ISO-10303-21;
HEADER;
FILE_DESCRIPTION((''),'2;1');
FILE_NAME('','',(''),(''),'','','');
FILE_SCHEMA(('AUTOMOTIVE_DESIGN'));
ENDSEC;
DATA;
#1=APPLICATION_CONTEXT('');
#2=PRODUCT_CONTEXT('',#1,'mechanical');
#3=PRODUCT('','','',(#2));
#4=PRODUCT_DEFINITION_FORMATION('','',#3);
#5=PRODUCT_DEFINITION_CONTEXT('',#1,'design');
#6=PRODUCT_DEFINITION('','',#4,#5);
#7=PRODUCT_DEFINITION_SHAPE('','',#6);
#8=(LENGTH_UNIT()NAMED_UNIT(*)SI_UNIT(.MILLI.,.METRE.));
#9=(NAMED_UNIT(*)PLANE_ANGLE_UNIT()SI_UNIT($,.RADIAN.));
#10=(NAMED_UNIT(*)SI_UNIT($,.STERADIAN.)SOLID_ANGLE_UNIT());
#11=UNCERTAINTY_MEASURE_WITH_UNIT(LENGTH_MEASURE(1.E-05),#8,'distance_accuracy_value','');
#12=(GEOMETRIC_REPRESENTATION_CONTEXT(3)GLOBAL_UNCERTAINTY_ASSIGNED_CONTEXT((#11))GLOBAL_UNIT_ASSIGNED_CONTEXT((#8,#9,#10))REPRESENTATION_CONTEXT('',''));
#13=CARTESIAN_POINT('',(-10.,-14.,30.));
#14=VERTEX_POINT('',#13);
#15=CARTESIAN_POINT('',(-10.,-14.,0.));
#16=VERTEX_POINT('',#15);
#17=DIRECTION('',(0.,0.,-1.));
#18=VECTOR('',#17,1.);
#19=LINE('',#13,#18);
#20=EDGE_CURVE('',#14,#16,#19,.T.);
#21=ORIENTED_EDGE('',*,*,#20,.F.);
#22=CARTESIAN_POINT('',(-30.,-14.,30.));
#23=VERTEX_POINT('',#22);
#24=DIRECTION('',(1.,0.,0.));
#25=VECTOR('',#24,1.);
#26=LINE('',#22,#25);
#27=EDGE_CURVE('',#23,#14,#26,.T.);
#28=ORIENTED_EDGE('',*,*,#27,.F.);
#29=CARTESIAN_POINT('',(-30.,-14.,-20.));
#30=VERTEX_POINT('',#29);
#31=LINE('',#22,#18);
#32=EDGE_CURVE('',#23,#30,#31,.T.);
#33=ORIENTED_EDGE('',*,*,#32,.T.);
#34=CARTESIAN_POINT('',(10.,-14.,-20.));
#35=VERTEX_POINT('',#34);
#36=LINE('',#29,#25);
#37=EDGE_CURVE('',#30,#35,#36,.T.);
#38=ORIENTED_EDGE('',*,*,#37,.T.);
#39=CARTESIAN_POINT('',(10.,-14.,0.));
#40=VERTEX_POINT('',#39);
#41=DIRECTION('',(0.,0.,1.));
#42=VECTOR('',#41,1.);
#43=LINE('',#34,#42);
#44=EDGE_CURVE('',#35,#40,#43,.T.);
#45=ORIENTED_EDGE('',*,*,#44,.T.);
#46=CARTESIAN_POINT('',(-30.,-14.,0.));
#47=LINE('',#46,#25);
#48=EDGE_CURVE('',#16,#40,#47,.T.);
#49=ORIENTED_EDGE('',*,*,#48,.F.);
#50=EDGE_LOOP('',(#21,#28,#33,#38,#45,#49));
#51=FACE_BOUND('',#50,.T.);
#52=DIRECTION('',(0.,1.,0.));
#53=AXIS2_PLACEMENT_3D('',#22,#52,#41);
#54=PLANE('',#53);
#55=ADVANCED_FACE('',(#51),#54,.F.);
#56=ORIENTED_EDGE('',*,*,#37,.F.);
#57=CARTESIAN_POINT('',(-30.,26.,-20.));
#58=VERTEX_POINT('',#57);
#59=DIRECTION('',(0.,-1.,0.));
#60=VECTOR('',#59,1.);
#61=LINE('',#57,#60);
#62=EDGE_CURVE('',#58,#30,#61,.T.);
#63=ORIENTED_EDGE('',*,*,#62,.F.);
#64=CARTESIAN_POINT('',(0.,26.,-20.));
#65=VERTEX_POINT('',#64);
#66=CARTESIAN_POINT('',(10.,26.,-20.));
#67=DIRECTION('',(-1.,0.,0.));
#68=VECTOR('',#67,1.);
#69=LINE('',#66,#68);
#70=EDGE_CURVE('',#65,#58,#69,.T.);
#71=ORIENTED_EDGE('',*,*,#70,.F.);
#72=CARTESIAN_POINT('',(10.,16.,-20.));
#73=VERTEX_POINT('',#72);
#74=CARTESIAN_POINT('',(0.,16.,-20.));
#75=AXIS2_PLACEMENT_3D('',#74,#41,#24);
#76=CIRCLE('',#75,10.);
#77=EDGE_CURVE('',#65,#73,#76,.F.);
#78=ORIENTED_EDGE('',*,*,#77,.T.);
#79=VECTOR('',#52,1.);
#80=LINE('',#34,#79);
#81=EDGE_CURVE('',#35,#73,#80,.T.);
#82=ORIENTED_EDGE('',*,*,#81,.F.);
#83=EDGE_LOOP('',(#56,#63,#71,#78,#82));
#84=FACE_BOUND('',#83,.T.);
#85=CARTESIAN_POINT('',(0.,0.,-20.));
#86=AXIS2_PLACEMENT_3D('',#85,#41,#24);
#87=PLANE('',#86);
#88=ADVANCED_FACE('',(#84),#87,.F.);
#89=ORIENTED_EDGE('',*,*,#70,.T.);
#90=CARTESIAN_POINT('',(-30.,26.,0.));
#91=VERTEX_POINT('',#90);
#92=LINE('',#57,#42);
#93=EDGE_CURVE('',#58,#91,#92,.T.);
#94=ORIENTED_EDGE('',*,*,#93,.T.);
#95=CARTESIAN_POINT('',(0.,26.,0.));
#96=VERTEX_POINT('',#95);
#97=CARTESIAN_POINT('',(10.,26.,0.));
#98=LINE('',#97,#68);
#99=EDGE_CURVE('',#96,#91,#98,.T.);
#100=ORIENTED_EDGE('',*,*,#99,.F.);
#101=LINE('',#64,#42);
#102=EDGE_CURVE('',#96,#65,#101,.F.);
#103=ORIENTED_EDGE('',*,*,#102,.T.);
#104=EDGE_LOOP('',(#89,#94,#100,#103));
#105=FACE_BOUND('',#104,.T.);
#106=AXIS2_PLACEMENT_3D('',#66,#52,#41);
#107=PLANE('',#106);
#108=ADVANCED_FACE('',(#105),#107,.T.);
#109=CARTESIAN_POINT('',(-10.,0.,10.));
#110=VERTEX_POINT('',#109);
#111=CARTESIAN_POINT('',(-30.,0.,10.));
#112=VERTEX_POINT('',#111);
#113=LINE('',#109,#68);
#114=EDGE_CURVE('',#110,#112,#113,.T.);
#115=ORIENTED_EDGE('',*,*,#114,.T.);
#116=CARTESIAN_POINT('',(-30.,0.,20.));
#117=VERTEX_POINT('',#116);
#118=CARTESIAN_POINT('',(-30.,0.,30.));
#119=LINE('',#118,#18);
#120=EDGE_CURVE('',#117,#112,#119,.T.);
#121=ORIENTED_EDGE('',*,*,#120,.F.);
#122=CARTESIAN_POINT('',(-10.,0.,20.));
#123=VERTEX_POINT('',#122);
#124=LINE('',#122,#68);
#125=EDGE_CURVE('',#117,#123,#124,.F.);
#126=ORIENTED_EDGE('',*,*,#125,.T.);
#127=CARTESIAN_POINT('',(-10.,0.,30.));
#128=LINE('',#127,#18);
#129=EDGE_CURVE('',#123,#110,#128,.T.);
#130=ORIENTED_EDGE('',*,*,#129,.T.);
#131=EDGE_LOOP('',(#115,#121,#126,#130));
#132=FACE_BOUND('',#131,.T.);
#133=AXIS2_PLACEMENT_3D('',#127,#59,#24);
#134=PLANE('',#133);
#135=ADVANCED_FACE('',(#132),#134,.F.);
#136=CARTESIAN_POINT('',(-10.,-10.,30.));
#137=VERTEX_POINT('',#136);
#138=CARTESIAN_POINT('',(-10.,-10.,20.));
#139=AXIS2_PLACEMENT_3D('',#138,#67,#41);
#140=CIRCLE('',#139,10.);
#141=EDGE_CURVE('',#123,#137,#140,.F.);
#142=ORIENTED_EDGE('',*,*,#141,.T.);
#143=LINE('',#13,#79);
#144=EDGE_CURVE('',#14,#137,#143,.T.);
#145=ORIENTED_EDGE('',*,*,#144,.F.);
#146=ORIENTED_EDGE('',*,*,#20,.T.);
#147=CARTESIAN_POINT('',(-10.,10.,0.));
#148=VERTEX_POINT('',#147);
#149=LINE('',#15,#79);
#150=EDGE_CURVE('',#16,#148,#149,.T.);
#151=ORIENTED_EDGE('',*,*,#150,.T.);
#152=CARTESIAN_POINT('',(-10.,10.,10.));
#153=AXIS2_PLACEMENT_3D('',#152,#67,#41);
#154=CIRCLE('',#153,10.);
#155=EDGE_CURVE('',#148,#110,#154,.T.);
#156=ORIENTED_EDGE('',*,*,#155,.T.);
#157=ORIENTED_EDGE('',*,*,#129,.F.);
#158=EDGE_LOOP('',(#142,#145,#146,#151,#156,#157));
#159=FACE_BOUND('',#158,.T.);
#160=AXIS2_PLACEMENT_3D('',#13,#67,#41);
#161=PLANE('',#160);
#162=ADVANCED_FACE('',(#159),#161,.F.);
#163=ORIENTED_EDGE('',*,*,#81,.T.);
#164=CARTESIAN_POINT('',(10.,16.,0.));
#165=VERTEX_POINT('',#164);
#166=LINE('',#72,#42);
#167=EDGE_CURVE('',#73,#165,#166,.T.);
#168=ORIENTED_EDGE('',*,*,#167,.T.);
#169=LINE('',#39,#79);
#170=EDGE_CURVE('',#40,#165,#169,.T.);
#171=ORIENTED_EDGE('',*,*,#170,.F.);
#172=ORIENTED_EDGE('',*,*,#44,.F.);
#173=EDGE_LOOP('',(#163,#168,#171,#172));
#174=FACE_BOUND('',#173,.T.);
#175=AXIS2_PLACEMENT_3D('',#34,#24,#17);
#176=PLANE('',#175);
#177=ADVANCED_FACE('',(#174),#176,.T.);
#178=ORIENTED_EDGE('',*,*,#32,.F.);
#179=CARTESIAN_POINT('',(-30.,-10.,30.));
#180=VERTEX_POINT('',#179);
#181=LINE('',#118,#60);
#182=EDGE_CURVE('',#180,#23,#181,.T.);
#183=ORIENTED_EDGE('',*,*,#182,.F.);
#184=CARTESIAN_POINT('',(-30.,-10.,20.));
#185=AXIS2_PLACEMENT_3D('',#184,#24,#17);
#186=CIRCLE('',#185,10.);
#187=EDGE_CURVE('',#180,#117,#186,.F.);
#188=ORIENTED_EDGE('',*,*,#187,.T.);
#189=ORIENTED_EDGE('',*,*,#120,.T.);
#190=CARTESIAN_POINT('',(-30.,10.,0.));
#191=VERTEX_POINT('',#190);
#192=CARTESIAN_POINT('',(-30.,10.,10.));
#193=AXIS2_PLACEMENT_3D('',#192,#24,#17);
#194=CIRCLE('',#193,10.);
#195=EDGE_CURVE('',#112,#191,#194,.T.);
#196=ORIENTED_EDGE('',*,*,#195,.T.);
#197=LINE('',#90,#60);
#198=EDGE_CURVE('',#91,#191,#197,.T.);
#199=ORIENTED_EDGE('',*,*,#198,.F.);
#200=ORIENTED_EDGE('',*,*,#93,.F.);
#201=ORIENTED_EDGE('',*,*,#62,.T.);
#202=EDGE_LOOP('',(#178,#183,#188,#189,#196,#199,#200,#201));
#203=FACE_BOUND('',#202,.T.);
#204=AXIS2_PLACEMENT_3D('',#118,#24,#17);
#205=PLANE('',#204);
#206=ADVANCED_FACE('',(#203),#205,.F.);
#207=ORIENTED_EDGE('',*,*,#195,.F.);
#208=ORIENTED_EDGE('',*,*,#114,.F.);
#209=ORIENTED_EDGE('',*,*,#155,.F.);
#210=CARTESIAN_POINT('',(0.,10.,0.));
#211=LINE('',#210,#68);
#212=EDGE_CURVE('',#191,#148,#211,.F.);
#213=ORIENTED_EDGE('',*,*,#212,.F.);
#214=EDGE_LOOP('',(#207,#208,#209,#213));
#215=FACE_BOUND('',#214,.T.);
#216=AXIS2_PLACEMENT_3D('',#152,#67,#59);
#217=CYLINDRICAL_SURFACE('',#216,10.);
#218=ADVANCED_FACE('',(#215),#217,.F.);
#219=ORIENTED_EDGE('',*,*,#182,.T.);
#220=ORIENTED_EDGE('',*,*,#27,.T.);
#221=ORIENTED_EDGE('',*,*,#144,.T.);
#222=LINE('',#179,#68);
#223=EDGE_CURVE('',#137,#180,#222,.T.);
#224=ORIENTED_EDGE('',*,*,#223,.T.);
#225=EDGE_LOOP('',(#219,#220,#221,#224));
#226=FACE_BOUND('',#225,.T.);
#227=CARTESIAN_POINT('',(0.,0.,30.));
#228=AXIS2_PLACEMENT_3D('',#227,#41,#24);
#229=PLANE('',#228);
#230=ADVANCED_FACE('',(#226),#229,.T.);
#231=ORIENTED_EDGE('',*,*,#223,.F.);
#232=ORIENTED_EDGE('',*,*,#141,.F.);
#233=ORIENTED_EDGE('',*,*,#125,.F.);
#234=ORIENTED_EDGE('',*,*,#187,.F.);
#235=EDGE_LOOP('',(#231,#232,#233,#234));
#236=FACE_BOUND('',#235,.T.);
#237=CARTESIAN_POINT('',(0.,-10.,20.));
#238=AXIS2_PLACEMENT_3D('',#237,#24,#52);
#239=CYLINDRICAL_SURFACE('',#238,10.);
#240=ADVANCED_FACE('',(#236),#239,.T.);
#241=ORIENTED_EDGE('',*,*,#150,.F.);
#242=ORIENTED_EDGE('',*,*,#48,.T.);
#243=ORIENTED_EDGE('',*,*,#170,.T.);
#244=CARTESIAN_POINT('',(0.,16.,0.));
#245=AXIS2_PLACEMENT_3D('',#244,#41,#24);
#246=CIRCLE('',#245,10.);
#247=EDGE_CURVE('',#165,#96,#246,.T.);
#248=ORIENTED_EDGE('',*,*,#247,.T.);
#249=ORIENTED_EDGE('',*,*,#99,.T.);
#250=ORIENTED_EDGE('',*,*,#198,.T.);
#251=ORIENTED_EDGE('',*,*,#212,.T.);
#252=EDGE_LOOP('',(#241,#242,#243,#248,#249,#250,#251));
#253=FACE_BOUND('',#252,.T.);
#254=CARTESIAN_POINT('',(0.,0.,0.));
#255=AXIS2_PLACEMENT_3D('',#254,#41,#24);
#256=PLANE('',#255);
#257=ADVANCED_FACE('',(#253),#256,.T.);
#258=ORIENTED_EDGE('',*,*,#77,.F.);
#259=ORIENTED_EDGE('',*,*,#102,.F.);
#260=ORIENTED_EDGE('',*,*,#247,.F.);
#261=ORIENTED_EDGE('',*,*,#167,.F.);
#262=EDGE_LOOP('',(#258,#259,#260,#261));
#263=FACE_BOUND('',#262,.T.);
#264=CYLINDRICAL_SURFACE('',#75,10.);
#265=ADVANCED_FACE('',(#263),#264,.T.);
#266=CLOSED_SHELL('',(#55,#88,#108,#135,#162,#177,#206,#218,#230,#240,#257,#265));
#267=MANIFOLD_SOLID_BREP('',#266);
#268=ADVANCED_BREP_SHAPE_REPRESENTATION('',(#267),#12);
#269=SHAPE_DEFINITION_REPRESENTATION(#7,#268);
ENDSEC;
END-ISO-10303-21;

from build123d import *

# Parameters (mm, degrees)
SKETCH1_W           = 20
SKETCH1_H           = 14
BOSS_EXTRUDE1_DEPTH = 30
SKETCH2_W           = 40
SKETCH2_H           = 40
BOSS_EXTRUDE2_DEPTH = 20
FILLET1_R           = 10


with BuildPart() as part:
    # Sketch1 → Boss-Extrude1 (new body)
    with BuildSketch(Plane.XY):
        with Locations((-20, -7)):
            Rectangle(SKETCH1_W, SKETCH1_H)
    extrude(amount=BOSS_EXTRUDE1_DEPTH)

    # Sketch2 → Boss-Extrude2 (add)
    with BuildSketch(Plane.XY):
        with Locations((-10, 6)):
            Rectangle(SKETCH2_W, SKETCH2_H)
    extrude(amount=-BOSS_EXTRUDE2_DEPTH)

    # Fillet1
    fillet1_edges = [part.edges().sort_by_distance(p)[0] for p in [
        (10, 26, -10),
        (-20, 0, 30),
        (-20, 0, 0),
    ]]
    fillet(fillet1_edges, radius=FILLET1_R)


solid = part.part
